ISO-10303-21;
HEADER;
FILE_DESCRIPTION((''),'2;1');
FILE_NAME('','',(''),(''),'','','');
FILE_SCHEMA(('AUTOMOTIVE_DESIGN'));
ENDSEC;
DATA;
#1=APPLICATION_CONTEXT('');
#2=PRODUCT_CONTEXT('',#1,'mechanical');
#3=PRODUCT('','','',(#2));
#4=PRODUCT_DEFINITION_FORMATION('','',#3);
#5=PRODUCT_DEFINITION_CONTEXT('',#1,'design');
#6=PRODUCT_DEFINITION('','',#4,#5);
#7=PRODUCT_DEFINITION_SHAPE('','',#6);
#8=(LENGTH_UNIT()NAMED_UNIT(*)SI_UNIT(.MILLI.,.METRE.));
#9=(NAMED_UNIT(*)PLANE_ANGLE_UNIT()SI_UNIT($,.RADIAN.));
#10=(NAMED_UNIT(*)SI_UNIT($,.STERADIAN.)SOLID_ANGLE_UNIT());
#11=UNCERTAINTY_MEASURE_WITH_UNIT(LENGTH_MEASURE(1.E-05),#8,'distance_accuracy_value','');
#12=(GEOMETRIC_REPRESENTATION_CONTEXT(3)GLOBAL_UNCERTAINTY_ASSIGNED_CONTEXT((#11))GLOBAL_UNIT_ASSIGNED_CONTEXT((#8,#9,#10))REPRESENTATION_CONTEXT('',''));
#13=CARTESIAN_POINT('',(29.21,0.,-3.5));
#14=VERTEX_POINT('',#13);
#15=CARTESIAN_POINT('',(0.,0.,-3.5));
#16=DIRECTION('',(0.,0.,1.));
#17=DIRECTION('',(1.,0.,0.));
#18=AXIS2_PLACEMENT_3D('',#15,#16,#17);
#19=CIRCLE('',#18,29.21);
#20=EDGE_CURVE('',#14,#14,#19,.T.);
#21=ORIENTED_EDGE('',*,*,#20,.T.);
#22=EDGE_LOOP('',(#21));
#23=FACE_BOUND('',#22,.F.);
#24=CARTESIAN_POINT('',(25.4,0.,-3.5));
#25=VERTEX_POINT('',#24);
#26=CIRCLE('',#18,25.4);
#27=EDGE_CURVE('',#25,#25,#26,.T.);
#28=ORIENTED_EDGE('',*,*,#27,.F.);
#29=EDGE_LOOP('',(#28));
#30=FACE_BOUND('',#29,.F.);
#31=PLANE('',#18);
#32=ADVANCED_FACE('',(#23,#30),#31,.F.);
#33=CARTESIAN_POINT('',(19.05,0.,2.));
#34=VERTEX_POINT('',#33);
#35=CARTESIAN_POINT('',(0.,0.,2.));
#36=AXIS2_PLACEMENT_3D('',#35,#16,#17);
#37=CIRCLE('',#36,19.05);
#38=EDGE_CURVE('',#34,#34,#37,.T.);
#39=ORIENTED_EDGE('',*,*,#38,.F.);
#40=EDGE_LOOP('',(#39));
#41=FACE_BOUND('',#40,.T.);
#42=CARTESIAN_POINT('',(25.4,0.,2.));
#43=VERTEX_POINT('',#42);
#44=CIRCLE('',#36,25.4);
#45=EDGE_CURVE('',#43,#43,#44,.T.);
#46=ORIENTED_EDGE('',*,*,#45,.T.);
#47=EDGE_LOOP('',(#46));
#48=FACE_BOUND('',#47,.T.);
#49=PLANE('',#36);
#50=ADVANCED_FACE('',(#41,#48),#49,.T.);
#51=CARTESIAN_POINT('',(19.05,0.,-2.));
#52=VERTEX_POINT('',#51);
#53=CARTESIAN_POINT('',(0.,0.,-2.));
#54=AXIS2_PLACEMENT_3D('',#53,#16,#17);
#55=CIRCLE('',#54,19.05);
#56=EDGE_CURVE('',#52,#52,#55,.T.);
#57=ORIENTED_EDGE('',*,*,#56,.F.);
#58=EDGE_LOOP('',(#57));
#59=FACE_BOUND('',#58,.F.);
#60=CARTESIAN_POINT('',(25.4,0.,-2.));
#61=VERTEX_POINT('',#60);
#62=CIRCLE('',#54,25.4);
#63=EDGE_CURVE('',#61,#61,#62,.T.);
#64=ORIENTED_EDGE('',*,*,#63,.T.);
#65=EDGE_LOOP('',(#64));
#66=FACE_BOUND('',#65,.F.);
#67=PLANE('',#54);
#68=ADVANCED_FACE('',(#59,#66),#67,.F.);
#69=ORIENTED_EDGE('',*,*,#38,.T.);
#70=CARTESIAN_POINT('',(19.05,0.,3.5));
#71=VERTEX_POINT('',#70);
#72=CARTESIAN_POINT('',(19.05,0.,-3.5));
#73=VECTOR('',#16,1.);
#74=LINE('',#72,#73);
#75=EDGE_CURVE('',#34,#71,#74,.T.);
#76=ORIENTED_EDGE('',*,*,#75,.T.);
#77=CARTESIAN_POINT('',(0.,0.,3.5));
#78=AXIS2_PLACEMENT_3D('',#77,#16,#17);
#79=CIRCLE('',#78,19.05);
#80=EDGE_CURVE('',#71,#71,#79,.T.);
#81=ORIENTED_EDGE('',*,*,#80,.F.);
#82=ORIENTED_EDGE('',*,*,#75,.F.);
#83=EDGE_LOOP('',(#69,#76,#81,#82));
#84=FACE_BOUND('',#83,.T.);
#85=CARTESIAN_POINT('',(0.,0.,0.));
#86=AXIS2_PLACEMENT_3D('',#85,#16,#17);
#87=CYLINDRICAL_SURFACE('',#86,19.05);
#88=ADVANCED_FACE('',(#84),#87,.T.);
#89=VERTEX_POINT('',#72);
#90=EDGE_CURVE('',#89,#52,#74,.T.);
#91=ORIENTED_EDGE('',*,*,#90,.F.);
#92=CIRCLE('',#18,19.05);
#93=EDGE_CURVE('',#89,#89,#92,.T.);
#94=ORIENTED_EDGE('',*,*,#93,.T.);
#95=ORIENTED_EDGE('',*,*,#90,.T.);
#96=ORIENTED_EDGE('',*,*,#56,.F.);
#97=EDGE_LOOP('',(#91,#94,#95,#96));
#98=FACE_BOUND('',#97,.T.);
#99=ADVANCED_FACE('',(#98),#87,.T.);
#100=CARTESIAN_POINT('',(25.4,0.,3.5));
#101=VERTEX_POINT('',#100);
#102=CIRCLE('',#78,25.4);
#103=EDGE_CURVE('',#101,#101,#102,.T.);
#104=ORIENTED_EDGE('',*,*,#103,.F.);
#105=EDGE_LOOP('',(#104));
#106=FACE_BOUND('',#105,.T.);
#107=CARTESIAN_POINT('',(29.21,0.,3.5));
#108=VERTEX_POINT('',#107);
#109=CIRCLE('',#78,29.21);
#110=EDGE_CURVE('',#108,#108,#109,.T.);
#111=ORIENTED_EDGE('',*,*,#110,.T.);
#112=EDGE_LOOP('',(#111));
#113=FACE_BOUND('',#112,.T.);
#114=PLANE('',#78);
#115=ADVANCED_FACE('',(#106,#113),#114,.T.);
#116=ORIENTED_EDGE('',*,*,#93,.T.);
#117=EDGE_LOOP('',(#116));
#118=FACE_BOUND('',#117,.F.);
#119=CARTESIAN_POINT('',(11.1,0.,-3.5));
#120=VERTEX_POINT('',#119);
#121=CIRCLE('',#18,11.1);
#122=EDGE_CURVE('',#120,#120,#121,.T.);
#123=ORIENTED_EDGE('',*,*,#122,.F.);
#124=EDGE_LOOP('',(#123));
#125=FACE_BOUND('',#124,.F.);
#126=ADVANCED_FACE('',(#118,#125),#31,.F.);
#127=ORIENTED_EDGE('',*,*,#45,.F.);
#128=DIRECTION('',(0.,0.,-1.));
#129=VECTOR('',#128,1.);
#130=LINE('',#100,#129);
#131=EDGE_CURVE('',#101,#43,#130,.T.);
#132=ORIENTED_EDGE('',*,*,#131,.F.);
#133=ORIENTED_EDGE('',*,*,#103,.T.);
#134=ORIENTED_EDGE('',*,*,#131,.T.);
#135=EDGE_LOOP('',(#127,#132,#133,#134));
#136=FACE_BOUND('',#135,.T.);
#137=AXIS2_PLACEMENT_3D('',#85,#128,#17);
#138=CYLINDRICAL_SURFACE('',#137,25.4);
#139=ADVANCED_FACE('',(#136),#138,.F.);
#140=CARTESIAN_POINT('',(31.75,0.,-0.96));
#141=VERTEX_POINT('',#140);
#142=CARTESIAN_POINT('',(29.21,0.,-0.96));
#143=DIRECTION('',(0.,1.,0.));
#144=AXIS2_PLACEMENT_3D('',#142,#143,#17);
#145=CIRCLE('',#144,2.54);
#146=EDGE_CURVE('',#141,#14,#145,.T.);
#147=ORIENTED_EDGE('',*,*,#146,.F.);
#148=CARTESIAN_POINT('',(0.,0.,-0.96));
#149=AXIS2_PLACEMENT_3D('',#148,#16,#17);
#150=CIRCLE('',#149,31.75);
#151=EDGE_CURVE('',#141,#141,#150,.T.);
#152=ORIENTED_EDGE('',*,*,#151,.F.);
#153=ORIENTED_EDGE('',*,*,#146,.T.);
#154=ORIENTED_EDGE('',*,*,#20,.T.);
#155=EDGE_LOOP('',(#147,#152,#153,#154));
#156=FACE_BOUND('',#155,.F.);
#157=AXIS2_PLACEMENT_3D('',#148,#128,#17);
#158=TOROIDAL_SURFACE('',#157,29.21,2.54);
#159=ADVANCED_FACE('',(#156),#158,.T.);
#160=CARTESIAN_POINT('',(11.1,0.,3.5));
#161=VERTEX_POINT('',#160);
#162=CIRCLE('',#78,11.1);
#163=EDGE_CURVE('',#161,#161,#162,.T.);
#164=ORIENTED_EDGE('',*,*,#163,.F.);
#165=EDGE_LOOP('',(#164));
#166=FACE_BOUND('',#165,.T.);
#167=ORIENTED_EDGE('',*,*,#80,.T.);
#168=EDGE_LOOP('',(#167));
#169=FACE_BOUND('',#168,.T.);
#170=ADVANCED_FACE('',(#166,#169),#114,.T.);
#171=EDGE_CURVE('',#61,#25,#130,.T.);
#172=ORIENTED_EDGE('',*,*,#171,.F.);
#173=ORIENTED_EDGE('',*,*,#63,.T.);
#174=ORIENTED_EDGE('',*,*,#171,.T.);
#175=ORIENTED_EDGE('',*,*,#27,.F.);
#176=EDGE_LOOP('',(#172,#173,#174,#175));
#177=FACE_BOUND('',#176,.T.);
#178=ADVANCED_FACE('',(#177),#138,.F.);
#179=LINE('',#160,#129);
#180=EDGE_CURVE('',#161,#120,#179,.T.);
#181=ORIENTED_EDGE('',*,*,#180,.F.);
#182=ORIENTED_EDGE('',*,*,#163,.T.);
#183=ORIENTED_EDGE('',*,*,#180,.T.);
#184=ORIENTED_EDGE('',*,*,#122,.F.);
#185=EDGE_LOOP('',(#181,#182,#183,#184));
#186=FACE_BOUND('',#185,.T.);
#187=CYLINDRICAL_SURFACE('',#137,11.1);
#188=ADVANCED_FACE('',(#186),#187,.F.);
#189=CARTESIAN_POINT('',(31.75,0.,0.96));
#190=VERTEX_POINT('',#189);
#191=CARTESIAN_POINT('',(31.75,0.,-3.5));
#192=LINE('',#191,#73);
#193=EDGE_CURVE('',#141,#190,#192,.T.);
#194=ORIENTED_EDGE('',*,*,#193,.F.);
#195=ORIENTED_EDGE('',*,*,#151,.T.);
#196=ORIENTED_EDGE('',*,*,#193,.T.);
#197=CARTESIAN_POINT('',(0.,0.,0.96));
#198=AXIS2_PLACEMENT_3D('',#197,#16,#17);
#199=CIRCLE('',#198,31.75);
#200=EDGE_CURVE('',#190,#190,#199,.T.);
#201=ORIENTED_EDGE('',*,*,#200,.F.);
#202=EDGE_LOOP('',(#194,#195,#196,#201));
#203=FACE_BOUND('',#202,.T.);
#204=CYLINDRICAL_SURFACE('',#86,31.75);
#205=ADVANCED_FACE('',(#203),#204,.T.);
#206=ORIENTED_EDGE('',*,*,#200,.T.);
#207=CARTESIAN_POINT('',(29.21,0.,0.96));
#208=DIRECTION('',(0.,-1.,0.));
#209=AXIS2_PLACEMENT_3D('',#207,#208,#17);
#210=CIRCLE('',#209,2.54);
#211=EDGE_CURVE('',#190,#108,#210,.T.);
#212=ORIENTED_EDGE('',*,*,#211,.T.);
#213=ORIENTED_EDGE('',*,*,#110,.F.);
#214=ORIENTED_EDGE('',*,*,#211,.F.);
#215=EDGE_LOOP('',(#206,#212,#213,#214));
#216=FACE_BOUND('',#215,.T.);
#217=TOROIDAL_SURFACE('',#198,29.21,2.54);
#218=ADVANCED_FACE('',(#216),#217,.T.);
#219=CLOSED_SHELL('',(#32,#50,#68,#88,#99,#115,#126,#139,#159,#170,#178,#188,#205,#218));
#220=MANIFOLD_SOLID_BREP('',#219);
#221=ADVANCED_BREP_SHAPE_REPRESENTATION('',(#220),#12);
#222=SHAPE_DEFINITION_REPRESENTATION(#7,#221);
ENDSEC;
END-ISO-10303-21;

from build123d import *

# Parameters (mm, degrees)
F0_R     = 19.05
F0_R_2   = 11.1
F1_DEPTH = 3.5
F0_R_3   = 31.75
F0_R_4   = 25.4
F2_DEPTH = 2
F3_DEPTH = 0.2
F4_R     = 2.54


with BuildPart() as f1:
    # F0 (on Top) → F1 (new body, symmetric)
    with BuildSketch(Plane.XY):
        Circle(F0_R)
        Circle(F0_R_2, mode=Mode.SUBTRACT)
    extrude(amount=F1_DEPTH, both=True)



with BuildPart() as f1b:
    # F0 (on Top) → F1, piece 2 (new body, symmetric)
    with BuildSketch(Plane.XY):
        Circle(F0_R_3)
        Circle(F0_R_4, mode=Mode.SUBTRACT)
    extrude(amount=F1_DEPTH, both=True)


with BuildPart() as f2:
    # F0 (on Top) → F2 (new body, symmetric)
    with BuildSketch(Plane.XY):
        Circle(F0_R_4)
        Circle(F0_R, mode=Mode.SUBTRACT)
    extrude(amount=F2_DEPTH, both=True)


with BuildPart() as f1_1:
    add(f1.part)

    add(f1b.part)  # F3 merges F1b

    add(f2.part)  # F3 merges F2
    # F0 (on Top) → F3 (join)
    with BuildSketch(Plane.XY):
        Circle(F0_R_4)
        Circle(F0_R, mode=Mode.SUBTRACT)
    extrude(amount=-F3_DEPTH)

    # F4
    f4_edges = [f1_1.edges().sort_by_distance(p)[0] for p in [
        (-31.75, 0, 3.5),
        (-31.75, 0, -3.5),
    ]]
    fillet(f4_edges, radius=F4_R)


solid = f1_1.part
